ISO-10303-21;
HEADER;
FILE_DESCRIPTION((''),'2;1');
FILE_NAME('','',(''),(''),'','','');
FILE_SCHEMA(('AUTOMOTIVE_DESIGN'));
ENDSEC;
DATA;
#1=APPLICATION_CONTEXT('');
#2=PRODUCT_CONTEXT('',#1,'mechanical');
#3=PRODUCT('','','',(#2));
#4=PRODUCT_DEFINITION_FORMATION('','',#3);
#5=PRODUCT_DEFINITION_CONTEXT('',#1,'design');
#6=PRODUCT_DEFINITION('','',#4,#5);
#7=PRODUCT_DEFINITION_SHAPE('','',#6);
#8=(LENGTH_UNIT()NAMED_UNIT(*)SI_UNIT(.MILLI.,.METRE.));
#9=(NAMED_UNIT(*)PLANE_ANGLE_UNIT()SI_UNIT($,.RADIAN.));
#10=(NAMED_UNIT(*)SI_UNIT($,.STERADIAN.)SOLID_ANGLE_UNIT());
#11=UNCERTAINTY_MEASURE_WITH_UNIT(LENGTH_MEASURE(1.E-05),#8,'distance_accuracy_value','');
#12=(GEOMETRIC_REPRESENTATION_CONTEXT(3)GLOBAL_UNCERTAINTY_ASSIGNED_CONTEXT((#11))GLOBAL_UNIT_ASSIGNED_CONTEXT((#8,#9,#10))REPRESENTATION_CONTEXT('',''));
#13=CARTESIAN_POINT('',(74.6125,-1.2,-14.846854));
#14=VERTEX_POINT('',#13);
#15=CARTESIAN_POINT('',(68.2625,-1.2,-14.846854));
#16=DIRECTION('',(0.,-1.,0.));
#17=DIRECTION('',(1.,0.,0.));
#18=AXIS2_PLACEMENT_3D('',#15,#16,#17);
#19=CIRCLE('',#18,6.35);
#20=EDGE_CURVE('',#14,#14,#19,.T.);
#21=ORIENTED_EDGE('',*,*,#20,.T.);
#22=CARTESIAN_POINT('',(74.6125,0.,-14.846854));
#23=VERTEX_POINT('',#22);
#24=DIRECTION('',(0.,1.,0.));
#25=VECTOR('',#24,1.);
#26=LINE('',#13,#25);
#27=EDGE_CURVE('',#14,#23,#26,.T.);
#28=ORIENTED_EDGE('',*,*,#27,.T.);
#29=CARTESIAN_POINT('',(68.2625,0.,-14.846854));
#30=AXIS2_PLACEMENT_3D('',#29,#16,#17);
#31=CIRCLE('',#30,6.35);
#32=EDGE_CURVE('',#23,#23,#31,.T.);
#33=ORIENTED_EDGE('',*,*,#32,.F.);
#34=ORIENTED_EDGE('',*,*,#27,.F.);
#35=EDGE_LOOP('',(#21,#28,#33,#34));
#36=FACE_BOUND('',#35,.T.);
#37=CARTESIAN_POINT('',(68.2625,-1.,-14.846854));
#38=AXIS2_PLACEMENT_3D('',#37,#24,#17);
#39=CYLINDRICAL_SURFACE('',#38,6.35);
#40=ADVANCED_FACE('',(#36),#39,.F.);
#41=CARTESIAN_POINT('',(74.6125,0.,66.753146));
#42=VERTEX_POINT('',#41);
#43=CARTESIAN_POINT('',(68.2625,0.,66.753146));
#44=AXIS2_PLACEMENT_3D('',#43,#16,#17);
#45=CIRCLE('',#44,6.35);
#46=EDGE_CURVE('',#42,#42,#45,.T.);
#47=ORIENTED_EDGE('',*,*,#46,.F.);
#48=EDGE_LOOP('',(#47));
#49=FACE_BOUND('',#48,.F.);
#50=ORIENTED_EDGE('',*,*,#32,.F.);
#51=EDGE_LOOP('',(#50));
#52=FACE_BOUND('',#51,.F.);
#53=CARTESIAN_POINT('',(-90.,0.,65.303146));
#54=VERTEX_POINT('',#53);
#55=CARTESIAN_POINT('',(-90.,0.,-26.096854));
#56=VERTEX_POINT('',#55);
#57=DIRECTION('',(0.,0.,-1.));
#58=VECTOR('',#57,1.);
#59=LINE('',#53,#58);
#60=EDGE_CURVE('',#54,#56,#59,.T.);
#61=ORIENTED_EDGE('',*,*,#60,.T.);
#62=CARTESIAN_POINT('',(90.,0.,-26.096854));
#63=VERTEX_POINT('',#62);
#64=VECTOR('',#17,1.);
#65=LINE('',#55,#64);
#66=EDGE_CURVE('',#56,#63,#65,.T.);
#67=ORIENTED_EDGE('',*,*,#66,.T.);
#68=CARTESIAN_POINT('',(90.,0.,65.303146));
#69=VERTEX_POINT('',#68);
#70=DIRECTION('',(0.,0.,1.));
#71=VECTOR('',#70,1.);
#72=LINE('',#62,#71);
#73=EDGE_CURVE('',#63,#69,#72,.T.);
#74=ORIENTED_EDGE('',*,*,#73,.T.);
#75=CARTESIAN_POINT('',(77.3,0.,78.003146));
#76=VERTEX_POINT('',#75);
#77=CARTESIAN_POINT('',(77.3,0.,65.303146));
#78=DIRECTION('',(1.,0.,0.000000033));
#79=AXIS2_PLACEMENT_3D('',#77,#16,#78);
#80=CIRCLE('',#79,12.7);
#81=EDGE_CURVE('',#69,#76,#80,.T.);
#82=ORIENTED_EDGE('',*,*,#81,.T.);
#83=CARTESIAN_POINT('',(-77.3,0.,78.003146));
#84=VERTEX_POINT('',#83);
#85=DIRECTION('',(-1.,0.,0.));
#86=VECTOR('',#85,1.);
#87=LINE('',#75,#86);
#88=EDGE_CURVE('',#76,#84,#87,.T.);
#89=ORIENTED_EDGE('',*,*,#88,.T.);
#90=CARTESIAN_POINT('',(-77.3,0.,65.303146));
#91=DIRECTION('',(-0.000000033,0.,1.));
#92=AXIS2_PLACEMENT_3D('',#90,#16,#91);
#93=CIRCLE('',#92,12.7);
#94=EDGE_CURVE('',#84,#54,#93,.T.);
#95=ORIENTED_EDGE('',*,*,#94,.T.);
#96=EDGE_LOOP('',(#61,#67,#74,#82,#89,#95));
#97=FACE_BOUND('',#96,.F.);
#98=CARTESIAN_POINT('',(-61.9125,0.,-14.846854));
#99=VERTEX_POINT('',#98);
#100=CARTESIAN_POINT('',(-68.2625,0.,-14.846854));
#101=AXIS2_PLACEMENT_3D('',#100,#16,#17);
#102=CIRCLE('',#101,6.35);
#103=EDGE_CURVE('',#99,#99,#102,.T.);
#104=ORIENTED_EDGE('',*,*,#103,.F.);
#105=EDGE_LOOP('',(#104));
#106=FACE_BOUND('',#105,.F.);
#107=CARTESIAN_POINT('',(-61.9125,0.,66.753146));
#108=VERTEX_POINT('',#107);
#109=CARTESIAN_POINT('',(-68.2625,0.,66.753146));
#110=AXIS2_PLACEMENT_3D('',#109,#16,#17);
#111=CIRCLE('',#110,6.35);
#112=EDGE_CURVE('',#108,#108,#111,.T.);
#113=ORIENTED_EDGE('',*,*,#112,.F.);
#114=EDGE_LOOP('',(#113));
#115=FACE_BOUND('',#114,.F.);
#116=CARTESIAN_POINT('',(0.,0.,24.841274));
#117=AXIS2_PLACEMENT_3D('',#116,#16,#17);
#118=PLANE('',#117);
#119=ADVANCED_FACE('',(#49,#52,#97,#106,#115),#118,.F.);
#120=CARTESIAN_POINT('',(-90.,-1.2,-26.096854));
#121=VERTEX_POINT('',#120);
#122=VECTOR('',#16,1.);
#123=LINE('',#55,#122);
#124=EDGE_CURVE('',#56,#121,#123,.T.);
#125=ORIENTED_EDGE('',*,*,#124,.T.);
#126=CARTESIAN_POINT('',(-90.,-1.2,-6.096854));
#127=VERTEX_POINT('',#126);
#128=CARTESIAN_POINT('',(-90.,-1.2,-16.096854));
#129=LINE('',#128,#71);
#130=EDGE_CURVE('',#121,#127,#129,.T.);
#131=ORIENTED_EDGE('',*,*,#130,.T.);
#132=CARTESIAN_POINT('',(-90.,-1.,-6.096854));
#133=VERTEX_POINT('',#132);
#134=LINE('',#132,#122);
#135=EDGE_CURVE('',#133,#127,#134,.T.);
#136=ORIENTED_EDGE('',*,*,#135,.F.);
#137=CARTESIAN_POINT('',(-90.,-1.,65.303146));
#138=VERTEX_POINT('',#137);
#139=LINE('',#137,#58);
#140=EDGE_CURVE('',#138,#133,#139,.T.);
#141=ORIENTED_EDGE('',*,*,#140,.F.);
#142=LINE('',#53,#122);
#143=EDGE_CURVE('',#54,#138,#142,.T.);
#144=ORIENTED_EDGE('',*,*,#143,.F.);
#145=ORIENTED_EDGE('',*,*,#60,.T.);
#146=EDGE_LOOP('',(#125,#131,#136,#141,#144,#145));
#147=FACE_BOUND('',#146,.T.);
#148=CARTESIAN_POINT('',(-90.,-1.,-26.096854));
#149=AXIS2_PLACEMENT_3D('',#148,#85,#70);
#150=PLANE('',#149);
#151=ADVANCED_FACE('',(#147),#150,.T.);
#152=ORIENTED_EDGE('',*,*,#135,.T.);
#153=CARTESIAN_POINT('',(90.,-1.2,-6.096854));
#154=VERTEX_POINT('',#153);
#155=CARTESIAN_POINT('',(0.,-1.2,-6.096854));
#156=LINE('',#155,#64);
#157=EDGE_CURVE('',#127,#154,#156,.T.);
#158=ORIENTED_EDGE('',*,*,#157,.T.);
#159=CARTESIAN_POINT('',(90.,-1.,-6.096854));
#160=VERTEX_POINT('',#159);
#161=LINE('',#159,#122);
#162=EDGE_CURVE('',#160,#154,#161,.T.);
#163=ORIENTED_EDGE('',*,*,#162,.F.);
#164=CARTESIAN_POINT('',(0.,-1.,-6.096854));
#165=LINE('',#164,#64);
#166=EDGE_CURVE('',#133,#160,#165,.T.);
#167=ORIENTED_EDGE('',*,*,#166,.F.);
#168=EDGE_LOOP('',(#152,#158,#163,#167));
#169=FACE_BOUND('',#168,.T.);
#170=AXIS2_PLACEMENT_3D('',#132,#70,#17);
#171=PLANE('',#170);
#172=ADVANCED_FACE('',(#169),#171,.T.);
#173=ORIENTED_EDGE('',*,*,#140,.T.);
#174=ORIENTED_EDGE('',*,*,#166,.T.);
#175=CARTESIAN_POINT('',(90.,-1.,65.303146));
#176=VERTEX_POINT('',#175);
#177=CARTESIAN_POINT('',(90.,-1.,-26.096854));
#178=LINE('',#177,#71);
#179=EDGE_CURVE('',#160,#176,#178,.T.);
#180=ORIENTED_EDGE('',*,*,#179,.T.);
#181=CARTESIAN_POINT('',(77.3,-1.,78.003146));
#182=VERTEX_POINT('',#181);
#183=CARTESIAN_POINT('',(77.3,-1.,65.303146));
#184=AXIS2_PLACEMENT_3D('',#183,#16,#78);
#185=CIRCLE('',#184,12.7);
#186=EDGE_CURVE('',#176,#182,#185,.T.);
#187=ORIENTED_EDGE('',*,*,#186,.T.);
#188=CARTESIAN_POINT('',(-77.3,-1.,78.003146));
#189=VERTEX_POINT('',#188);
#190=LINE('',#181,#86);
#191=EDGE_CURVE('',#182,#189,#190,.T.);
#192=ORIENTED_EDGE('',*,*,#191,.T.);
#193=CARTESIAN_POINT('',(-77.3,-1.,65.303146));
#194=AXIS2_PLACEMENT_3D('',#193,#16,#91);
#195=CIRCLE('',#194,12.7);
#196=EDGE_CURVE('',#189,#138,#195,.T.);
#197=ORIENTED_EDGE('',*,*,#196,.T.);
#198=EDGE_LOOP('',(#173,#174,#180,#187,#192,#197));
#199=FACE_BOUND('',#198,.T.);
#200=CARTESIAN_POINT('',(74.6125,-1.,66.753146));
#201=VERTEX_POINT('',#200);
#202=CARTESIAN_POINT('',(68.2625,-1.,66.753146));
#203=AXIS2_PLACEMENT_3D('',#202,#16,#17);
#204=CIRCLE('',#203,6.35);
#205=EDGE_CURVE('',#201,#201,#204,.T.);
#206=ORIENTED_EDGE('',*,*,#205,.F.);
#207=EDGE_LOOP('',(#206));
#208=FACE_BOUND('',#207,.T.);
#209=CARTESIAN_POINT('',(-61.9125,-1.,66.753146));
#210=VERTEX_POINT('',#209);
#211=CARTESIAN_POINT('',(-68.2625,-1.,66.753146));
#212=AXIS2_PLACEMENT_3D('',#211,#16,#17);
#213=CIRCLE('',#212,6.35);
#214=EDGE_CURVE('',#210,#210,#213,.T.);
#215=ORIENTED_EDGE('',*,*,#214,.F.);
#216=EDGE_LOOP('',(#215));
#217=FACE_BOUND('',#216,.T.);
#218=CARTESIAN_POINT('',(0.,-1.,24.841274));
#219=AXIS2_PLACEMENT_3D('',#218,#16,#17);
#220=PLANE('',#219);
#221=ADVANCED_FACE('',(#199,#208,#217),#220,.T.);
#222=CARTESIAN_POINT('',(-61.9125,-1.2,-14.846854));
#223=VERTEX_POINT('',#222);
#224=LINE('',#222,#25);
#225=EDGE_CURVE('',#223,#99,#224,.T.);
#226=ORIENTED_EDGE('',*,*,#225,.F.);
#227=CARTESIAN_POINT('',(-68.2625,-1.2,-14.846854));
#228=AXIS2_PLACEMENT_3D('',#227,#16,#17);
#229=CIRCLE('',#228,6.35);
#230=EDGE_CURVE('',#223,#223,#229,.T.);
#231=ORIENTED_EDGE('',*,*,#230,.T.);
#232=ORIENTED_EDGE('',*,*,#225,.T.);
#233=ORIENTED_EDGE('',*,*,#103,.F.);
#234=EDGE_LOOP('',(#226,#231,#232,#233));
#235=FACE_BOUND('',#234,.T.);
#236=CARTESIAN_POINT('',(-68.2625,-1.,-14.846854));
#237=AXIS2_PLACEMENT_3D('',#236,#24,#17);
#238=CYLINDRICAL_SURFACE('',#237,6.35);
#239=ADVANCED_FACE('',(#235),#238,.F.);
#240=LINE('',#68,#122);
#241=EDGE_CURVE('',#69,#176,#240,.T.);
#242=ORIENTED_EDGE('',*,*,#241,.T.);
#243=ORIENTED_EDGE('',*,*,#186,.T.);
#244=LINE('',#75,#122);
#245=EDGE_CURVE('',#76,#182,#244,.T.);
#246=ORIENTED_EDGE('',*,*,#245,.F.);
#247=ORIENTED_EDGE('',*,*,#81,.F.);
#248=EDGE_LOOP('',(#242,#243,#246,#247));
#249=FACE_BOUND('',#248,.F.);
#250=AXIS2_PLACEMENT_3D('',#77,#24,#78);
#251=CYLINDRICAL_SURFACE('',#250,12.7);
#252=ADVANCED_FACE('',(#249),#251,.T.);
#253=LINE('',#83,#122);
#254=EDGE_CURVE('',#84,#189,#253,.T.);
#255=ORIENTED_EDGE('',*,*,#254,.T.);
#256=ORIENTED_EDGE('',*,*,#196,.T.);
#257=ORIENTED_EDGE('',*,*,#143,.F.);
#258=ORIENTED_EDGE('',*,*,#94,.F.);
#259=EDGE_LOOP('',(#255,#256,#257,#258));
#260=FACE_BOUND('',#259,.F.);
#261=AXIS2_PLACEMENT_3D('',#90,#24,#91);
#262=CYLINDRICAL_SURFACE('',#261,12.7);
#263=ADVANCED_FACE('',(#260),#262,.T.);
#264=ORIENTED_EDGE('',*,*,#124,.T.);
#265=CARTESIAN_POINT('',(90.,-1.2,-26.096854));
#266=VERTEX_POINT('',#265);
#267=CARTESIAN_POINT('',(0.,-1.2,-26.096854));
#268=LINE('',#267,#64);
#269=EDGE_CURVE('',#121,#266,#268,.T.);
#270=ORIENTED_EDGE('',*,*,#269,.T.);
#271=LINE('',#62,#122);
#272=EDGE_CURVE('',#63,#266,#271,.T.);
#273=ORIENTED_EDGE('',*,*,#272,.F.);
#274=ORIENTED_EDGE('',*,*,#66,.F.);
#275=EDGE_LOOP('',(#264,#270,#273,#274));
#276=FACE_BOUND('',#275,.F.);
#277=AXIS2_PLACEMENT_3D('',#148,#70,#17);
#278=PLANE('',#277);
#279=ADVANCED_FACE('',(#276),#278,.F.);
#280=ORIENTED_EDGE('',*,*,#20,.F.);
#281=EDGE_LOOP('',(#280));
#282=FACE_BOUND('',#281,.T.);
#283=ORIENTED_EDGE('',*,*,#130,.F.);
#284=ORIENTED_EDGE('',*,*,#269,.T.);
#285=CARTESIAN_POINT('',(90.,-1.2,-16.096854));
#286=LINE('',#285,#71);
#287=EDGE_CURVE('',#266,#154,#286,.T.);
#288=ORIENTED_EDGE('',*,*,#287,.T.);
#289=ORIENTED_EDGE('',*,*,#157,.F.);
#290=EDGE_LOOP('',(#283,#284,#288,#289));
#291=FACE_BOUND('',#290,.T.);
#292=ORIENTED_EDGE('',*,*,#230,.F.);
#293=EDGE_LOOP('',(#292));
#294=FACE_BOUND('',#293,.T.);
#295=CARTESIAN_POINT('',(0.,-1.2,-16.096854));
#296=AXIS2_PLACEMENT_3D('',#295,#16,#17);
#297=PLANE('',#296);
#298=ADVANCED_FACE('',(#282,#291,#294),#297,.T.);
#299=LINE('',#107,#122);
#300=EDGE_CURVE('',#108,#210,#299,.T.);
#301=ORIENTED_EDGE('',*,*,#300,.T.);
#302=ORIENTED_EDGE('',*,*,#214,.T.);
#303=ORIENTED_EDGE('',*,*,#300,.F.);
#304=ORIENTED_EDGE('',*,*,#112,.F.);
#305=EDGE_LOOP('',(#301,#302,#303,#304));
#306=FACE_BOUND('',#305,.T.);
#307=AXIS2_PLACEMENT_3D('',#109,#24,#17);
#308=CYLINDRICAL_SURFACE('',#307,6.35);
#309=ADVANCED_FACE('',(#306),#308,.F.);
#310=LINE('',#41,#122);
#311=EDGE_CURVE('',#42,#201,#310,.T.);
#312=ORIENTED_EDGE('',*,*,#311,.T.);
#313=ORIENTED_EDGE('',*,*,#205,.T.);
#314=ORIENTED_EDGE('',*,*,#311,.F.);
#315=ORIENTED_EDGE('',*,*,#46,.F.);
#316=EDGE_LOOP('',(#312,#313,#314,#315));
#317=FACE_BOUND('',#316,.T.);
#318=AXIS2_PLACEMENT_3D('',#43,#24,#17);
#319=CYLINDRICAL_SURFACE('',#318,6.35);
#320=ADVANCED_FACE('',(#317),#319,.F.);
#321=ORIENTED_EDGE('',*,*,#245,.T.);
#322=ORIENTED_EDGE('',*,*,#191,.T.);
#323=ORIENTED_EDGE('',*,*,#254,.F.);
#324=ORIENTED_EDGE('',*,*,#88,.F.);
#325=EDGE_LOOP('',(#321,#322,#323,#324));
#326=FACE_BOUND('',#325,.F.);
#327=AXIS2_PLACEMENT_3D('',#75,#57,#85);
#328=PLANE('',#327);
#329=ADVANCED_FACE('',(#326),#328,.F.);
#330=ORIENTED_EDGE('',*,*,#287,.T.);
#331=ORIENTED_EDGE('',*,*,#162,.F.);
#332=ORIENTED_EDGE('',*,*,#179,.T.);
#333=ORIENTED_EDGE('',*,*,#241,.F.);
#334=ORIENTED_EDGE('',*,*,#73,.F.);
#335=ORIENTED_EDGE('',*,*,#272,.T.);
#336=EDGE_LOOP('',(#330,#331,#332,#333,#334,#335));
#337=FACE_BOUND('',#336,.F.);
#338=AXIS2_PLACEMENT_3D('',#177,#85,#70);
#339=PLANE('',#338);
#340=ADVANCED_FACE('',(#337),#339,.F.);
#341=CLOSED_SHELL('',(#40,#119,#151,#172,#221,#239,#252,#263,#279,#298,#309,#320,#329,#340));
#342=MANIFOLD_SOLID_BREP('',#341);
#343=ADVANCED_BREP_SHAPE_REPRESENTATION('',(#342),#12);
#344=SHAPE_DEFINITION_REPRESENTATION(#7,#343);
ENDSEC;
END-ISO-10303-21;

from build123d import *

# Parameters (mm, degrees)
F0_R     = 6.35
F1_DEPTH = 1
F2_W     = 180
F2_H     = 20
F2_R     = 6.35
F3_DEPTH = 0.2


with BuildPart() as f1:
    # F0 (on Front) → F1 (new body)
    with BuildSketch(Plane.XZ):
        with BuildLine():
            Line((77.3, 78.003146), (-77.3, 78.003146))
            ThreePointArc((-77.3, 78.003146), (-86.280256, 74.283402), (-90, 65.303146))
            Line((-90, 65.303146), (-90, -26.096854))
            Line((-90, -26.096854), (90, -26.096854))
            Line((90, -26.096854), (90, 65.303146))
            ThreePointArc((90, 65.303146), (86.280256, 74.283402), (77.3, 78.003146))
        make_face()
        with Locations((-68.2625, -14.846854)):
            Circle(F0_R, mode=Mode.SUBTRACT)
        with Locations((68.2625, -14.846854)):
            Circle(F0_R, mode=Mode.SUBTRACT)
        with Locations((-68.2625, 66.753146)):
            Circle(F0_R, mode=Mode.SUBTRACT)
        with Locations((68.2625, 66.753146)):
            Circle(F0_R, mode=Mode.SUBTRACT)
    extrude(amount=F1_DEPTH)

    # F2 (on face) → F3 (join)
    with BuildSketch(Plane.XZ.offset(1)):
        with Locations((0, -16.096854)):
            Rectangle(F2_W, F2_H)
        with Locations((-68.2625, -14.846854)):
            Circle(F2_R, mode=Mode.SUBTRACT)
        with Locations((68.2625, -14.846854)):
            Circle(F2_R, mode=Mode.SUBTRACT)
    extrude(amount=F3_DEPTH)


solid = f1.part
